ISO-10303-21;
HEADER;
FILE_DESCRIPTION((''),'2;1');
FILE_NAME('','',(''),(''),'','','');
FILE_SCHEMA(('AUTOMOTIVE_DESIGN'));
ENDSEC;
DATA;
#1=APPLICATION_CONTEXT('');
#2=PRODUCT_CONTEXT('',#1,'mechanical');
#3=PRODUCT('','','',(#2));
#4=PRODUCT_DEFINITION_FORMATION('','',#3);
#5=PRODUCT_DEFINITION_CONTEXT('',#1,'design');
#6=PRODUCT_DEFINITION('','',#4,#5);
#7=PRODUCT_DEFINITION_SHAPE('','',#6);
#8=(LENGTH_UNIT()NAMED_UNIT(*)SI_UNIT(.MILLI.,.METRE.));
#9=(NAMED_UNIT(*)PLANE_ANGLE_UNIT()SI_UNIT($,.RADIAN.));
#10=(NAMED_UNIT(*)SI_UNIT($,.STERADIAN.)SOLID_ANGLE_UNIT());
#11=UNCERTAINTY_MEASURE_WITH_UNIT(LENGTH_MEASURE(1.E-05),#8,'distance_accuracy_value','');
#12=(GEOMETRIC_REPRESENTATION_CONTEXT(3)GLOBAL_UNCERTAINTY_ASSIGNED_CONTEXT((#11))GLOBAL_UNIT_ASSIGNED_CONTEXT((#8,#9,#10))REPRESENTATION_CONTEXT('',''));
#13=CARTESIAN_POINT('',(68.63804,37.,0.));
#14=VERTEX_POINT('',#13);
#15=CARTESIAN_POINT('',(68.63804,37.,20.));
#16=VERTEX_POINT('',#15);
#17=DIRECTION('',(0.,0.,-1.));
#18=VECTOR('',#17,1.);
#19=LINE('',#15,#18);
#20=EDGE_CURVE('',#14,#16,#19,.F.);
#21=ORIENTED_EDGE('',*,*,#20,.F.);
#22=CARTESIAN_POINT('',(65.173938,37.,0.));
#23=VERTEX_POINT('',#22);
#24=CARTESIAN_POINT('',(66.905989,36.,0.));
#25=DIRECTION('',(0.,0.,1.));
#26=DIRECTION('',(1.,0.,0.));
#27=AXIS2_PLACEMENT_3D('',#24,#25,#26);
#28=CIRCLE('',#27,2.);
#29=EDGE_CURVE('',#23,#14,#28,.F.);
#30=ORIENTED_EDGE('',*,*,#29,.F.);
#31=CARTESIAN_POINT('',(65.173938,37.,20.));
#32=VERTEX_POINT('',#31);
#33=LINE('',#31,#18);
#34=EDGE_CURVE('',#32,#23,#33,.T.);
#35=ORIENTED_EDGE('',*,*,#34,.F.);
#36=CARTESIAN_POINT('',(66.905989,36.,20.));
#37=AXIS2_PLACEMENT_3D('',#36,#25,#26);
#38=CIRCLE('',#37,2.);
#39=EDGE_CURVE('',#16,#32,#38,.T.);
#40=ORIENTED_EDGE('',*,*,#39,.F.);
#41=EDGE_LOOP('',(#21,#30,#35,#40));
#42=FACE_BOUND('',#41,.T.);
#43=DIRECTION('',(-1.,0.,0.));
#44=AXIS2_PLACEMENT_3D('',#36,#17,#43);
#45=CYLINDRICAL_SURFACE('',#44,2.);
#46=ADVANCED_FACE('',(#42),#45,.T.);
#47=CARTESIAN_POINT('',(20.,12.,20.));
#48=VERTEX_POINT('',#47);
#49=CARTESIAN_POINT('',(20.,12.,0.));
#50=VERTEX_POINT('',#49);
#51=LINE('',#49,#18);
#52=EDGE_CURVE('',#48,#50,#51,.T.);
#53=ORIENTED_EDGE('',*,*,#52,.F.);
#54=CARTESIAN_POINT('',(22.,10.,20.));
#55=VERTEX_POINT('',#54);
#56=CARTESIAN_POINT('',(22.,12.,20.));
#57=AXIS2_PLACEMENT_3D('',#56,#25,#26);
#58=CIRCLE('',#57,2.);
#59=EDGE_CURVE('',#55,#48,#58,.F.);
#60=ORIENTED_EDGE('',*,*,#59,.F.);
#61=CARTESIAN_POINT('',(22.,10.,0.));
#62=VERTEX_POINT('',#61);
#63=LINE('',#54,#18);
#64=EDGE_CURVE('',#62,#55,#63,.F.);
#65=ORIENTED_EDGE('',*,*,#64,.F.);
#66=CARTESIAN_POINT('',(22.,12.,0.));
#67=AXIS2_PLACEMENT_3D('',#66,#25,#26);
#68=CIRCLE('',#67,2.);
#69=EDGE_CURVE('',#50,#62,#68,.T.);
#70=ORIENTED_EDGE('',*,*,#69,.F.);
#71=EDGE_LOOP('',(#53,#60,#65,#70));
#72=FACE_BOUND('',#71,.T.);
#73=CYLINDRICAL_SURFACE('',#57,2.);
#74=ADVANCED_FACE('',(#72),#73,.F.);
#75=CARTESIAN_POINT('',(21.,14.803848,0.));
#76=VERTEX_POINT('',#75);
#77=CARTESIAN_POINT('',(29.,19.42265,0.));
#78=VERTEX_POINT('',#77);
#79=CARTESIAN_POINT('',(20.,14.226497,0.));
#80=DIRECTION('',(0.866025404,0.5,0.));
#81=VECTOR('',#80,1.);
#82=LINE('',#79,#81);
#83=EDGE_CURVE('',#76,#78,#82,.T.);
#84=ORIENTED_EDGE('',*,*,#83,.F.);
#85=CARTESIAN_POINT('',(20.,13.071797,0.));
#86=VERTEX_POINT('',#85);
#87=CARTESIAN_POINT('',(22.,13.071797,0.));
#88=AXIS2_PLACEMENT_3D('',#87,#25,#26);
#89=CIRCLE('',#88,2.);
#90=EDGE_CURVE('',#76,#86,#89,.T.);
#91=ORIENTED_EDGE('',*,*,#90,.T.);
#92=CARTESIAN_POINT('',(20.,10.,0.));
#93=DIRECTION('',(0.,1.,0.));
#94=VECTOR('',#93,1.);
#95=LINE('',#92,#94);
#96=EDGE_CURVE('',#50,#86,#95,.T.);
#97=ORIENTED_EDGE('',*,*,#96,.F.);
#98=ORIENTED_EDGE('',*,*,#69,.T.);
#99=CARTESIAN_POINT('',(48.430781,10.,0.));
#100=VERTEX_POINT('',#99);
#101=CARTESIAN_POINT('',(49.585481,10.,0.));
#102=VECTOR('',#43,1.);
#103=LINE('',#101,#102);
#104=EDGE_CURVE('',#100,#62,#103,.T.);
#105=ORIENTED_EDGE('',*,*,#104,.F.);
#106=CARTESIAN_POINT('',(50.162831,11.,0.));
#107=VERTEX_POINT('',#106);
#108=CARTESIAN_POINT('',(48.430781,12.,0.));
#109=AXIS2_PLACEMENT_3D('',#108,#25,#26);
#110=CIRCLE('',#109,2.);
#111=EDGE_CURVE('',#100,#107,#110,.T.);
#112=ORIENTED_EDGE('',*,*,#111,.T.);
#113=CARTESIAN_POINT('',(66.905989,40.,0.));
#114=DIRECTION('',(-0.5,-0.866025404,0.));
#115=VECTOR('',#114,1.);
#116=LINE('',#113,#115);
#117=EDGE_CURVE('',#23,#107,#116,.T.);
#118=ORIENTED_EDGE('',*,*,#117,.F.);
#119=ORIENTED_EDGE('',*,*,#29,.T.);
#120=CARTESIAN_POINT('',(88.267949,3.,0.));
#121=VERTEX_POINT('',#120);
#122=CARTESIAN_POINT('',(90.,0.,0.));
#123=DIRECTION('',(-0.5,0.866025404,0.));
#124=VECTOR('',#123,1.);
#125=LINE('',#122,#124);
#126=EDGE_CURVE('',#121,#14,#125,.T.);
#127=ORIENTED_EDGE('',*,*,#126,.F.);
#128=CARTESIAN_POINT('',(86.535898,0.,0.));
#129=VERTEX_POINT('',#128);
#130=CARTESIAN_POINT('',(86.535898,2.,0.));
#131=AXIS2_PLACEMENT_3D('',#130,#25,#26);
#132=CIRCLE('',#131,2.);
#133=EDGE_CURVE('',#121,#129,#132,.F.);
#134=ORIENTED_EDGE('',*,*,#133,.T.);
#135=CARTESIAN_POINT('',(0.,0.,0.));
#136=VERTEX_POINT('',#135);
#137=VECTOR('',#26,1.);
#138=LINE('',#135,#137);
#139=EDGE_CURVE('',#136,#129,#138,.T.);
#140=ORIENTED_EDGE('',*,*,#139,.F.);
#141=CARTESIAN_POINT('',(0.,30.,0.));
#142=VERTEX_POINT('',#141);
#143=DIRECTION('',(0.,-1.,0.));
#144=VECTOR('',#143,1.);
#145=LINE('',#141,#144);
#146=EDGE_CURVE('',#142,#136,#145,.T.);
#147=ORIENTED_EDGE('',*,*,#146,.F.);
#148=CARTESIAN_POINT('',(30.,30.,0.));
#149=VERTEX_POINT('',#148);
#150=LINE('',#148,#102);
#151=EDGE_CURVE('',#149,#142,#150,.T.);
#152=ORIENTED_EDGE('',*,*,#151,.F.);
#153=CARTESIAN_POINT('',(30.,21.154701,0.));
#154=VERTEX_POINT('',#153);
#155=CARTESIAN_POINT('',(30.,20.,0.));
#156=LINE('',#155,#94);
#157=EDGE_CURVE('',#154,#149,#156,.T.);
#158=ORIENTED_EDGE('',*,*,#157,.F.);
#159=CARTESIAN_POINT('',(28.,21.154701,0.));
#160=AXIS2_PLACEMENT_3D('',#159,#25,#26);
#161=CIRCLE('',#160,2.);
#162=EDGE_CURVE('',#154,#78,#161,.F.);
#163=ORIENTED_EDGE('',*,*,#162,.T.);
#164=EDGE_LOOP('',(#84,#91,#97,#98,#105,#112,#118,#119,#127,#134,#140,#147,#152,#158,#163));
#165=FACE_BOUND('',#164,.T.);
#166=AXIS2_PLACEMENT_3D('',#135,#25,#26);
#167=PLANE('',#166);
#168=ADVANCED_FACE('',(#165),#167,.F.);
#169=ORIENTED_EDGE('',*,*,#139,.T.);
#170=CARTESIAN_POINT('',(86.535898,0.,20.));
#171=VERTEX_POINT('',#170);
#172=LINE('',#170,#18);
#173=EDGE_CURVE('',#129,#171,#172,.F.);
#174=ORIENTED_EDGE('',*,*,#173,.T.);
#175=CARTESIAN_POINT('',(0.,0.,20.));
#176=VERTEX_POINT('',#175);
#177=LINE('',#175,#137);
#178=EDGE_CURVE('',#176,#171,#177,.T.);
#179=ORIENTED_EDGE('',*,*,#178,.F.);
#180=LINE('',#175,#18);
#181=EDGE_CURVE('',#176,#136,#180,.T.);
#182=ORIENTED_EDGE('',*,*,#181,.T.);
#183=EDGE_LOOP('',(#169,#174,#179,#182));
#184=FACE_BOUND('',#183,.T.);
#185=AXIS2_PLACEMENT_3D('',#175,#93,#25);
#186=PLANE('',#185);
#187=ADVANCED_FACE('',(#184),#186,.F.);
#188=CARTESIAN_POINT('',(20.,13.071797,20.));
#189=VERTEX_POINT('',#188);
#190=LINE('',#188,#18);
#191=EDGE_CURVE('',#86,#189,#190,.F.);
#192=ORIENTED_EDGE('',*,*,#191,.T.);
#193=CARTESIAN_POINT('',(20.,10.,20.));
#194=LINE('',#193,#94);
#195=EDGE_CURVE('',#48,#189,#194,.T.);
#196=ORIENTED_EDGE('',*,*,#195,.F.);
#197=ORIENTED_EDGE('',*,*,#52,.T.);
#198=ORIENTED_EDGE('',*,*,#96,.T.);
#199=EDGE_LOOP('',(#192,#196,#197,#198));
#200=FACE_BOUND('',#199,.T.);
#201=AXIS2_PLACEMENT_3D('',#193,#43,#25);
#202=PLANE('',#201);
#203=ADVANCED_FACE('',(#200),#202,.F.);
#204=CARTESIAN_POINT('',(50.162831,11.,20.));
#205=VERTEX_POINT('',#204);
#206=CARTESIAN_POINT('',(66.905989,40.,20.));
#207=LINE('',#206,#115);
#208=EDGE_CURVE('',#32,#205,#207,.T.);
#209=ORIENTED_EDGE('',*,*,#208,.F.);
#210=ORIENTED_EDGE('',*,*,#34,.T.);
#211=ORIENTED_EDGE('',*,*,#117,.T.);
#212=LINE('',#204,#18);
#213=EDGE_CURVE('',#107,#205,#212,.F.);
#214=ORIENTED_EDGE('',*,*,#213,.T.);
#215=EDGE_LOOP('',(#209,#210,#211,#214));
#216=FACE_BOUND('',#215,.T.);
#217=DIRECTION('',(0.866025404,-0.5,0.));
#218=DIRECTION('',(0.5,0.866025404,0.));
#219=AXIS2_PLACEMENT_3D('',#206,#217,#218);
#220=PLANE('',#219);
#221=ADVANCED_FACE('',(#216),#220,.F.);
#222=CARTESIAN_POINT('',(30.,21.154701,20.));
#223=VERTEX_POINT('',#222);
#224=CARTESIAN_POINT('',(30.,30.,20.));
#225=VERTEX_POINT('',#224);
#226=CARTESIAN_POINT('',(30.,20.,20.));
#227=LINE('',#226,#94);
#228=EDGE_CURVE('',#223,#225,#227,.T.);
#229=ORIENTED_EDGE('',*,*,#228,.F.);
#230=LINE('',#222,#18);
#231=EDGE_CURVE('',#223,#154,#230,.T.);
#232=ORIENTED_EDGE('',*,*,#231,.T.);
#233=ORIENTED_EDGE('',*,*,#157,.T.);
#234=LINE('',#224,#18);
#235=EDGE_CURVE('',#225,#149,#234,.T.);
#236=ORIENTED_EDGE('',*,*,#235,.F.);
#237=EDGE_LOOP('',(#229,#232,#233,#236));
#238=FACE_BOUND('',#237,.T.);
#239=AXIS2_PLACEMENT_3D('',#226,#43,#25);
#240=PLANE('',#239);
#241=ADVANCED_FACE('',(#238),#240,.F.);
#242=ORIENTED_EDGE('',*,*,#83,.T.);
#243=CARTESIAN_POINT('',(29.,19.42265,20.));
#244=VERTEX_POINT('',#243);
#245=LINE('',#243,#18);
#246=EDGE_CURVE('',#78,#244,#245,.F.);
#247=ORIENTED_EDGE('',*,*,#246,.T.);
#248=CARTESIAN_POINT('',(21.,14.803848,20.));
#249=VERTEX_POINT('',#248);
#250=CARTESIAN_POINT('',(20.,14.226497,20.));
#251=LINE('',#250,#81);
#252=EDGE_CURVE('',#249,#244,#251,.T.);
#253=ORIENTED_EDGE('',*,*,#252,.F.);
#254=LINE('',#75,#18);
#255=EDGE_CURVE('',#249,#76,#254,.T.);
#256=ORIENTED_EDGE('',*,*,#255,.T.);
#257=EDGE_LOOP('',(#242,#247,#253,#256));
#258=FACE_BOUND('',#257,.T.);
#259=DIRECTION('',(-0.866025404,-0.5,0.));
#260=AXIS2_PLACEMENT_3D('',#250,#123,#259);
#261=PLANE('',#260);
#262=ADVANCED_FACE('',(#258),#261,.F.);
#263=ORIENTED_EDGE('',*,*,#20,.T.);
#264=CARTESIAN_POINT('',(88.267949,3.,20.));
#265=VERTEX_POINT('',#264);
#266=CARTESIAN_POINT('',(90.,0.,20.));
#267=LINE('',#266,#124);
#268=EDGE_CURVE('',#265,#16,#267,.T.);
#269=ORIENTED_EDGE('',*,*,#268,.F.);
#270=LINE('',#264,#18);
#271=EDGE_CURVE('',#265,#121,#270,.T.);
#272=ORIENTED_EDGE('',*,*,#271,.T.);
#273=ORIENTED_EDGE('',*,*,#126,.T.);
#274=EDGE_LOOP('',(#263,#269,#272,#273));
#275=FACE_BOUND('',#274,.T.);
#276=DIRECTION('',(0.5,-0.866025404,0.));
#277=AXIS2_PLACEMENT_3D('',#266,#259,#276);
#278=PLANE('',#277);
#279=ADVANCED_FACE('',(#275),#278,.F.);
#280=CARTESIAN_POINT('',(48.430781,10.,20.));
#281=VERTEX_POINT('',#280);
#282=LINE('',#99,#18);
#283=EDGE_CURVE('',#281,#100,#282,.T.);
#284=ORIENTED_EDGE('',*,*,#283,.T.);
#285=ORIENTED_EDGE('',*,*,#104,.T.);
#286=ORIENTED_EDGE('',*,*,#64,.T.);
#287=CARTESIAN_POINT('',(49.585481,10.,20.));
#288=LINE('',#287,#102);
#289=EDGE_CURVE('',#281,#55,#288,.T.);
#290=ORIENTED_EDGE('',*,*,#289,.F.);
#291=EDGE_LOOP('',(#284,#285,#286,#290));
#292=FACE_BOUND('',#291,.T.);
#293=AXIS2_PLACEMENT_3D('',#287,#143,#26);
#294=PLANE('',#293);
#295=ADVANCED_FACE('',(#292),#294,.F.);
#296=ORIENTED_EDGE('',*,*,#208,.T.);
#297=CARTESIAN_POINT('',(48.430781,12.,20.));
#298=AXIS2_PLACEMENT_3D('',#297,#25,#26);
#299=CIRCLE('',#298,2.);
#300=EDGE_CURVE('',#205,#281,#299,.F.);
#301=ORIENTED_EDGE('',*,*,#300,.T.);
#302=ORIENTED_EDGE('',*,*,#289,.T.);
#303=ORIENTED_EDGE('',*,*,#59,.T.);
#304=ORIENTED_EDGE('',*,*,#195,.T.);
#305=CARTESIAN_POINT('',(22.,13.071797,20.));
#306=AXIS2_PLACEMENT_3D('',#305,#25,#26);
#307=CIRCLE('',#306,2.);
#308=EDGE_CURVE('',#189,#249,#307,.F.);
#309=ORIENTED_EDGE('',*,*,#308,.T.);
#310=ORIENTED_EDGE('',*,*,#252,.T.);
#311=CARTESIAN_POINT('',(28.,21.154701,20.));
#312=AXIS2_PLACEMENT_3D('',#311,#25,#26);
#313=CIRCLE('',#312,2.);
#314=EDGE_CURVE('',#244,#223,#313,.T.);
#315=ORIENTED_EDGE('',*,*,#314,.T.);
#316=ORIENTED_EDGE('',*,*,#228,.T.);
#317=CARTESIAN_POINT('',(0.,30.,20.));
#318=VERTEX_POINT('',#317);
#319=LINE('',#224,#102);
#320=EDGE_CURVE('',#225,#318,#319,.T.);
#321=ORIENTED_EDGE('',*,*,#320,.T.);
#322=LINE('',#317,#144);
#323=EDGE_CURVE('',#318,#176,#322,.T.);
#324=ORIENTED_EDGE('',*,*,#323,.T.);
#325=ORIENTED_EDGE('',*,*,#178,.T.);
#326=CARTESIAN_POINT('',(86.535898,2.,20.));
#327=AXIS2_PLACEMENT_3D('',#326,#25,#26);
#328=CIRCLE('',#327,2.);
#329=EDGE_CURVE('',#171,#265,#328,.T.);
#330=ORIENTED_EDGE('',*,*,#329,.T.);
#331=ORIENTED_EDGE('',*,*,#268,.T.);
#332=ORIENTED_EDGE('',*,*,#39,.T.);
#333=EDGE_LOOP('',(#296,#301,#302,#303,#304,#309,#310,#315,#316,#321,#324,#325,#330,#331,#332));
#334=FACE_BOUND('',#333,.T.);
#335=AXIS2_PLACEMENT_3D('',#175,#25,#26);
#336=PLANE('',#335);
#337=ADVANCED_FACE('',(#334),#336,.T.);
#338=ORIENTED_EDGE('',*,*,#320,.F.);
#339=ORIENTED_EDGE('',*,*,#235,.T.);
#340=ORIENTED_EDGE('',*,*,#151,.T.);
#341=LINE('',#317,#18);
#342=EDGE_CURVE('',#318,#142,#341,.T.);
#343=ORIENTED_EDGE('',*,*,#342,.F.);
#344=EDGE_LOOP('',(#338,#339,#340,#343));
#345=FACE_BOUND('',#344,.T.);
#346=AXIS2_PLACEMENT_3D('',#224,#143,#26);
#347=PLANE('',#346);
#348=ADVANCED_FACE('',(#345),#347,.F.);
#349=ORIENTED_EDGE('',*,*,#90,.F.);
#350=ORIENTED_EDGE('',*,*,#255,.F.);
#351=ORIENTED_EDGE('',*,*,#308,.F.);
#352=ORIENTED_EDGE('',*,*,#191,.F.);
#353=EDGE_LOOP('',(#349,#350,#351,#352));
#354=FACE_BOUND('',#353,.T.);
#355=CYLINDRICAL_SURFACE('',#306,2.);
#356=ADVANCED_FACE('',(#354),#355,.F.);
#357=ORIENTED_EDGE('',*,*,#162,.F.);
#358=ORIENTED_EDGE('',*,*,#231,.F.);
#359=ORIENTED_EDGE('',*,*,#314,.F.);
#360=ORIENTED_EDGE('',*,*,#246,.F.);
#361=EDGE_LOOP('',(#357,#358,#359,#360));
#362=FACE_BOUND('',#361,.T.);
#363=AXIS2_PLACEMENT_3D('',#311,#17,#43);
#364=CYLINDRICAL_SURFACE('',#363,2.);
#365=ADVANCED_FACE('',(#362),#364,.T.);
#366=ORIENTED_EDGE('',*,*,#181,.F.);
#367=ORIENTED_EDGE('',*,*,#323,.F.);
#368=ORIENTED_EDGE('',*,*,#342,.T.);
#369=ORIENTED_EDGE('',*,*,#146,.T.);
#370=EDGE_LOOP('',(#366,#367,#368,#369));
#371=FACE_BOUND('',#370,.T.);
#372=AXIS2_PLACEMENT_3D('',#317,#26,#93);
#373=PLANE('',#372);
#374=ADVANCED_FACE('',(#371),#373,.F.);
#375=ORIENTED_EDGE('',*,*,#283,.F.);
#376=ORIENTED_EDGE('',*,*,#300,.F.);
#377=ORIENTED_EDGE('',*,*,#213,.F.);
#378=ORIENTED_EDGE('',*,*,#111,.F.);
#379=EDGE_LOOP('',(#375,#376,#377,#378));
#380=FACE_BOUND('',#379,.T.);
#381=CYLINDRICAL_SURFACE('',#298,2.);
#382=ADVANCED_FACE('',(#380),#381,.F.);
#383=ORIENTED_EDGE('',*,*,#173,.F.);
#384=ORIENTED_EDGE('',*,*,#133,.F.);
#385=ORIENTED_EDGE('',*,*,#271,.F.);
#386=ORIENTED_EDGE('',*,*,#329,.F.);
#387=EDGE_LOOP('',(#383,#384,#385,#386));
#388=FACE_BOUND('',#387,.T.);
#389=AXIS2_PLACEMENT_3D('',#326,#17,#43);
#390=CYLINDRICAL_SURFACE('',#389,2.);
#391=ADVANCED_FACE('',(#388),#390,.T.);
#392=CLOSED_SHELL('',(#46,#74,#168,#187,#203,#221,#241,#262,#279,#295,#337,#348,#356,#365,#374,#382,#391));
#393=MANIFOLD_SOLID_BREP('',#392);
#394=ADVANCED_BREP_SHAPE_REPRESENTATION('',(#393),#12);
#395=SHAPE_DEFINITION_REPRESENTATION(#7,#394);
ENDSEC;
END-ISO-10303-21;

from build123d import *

# Parameters (mm, degrees)
BOSS_EXTRUDE1_DEPTH = 20
FILLET1_R           = 2


with BuildPart() as part:
    # Sketch1 → Boss-Extrude1 (new body)
    with BuildSketch(Plane.XY):
        Polygon((0, 0), (90, 0), (66.905989232, 40), (49.585481157, 10), (20, 10), (20, 14.226497308), (30, 20), (30, 30), (0, 30), align=None)
    extrude(amount=BOSS_EXTRUDE1_DEPTH)

    # Fillet1
    fillet1_edges = [part.edges().sort_by_distance(p)[0] for p in [
        (30, 20, 10),
        (20, 14.226497308, 10),
        (20, 10, 10),
        (49.585481157, 10, 10),
        (66.905989232, 40, 10),
        (90, 0, 10),
    ]]
    fillet(fillet1_edges, radius=FILLET1_R)


solid = part.part
